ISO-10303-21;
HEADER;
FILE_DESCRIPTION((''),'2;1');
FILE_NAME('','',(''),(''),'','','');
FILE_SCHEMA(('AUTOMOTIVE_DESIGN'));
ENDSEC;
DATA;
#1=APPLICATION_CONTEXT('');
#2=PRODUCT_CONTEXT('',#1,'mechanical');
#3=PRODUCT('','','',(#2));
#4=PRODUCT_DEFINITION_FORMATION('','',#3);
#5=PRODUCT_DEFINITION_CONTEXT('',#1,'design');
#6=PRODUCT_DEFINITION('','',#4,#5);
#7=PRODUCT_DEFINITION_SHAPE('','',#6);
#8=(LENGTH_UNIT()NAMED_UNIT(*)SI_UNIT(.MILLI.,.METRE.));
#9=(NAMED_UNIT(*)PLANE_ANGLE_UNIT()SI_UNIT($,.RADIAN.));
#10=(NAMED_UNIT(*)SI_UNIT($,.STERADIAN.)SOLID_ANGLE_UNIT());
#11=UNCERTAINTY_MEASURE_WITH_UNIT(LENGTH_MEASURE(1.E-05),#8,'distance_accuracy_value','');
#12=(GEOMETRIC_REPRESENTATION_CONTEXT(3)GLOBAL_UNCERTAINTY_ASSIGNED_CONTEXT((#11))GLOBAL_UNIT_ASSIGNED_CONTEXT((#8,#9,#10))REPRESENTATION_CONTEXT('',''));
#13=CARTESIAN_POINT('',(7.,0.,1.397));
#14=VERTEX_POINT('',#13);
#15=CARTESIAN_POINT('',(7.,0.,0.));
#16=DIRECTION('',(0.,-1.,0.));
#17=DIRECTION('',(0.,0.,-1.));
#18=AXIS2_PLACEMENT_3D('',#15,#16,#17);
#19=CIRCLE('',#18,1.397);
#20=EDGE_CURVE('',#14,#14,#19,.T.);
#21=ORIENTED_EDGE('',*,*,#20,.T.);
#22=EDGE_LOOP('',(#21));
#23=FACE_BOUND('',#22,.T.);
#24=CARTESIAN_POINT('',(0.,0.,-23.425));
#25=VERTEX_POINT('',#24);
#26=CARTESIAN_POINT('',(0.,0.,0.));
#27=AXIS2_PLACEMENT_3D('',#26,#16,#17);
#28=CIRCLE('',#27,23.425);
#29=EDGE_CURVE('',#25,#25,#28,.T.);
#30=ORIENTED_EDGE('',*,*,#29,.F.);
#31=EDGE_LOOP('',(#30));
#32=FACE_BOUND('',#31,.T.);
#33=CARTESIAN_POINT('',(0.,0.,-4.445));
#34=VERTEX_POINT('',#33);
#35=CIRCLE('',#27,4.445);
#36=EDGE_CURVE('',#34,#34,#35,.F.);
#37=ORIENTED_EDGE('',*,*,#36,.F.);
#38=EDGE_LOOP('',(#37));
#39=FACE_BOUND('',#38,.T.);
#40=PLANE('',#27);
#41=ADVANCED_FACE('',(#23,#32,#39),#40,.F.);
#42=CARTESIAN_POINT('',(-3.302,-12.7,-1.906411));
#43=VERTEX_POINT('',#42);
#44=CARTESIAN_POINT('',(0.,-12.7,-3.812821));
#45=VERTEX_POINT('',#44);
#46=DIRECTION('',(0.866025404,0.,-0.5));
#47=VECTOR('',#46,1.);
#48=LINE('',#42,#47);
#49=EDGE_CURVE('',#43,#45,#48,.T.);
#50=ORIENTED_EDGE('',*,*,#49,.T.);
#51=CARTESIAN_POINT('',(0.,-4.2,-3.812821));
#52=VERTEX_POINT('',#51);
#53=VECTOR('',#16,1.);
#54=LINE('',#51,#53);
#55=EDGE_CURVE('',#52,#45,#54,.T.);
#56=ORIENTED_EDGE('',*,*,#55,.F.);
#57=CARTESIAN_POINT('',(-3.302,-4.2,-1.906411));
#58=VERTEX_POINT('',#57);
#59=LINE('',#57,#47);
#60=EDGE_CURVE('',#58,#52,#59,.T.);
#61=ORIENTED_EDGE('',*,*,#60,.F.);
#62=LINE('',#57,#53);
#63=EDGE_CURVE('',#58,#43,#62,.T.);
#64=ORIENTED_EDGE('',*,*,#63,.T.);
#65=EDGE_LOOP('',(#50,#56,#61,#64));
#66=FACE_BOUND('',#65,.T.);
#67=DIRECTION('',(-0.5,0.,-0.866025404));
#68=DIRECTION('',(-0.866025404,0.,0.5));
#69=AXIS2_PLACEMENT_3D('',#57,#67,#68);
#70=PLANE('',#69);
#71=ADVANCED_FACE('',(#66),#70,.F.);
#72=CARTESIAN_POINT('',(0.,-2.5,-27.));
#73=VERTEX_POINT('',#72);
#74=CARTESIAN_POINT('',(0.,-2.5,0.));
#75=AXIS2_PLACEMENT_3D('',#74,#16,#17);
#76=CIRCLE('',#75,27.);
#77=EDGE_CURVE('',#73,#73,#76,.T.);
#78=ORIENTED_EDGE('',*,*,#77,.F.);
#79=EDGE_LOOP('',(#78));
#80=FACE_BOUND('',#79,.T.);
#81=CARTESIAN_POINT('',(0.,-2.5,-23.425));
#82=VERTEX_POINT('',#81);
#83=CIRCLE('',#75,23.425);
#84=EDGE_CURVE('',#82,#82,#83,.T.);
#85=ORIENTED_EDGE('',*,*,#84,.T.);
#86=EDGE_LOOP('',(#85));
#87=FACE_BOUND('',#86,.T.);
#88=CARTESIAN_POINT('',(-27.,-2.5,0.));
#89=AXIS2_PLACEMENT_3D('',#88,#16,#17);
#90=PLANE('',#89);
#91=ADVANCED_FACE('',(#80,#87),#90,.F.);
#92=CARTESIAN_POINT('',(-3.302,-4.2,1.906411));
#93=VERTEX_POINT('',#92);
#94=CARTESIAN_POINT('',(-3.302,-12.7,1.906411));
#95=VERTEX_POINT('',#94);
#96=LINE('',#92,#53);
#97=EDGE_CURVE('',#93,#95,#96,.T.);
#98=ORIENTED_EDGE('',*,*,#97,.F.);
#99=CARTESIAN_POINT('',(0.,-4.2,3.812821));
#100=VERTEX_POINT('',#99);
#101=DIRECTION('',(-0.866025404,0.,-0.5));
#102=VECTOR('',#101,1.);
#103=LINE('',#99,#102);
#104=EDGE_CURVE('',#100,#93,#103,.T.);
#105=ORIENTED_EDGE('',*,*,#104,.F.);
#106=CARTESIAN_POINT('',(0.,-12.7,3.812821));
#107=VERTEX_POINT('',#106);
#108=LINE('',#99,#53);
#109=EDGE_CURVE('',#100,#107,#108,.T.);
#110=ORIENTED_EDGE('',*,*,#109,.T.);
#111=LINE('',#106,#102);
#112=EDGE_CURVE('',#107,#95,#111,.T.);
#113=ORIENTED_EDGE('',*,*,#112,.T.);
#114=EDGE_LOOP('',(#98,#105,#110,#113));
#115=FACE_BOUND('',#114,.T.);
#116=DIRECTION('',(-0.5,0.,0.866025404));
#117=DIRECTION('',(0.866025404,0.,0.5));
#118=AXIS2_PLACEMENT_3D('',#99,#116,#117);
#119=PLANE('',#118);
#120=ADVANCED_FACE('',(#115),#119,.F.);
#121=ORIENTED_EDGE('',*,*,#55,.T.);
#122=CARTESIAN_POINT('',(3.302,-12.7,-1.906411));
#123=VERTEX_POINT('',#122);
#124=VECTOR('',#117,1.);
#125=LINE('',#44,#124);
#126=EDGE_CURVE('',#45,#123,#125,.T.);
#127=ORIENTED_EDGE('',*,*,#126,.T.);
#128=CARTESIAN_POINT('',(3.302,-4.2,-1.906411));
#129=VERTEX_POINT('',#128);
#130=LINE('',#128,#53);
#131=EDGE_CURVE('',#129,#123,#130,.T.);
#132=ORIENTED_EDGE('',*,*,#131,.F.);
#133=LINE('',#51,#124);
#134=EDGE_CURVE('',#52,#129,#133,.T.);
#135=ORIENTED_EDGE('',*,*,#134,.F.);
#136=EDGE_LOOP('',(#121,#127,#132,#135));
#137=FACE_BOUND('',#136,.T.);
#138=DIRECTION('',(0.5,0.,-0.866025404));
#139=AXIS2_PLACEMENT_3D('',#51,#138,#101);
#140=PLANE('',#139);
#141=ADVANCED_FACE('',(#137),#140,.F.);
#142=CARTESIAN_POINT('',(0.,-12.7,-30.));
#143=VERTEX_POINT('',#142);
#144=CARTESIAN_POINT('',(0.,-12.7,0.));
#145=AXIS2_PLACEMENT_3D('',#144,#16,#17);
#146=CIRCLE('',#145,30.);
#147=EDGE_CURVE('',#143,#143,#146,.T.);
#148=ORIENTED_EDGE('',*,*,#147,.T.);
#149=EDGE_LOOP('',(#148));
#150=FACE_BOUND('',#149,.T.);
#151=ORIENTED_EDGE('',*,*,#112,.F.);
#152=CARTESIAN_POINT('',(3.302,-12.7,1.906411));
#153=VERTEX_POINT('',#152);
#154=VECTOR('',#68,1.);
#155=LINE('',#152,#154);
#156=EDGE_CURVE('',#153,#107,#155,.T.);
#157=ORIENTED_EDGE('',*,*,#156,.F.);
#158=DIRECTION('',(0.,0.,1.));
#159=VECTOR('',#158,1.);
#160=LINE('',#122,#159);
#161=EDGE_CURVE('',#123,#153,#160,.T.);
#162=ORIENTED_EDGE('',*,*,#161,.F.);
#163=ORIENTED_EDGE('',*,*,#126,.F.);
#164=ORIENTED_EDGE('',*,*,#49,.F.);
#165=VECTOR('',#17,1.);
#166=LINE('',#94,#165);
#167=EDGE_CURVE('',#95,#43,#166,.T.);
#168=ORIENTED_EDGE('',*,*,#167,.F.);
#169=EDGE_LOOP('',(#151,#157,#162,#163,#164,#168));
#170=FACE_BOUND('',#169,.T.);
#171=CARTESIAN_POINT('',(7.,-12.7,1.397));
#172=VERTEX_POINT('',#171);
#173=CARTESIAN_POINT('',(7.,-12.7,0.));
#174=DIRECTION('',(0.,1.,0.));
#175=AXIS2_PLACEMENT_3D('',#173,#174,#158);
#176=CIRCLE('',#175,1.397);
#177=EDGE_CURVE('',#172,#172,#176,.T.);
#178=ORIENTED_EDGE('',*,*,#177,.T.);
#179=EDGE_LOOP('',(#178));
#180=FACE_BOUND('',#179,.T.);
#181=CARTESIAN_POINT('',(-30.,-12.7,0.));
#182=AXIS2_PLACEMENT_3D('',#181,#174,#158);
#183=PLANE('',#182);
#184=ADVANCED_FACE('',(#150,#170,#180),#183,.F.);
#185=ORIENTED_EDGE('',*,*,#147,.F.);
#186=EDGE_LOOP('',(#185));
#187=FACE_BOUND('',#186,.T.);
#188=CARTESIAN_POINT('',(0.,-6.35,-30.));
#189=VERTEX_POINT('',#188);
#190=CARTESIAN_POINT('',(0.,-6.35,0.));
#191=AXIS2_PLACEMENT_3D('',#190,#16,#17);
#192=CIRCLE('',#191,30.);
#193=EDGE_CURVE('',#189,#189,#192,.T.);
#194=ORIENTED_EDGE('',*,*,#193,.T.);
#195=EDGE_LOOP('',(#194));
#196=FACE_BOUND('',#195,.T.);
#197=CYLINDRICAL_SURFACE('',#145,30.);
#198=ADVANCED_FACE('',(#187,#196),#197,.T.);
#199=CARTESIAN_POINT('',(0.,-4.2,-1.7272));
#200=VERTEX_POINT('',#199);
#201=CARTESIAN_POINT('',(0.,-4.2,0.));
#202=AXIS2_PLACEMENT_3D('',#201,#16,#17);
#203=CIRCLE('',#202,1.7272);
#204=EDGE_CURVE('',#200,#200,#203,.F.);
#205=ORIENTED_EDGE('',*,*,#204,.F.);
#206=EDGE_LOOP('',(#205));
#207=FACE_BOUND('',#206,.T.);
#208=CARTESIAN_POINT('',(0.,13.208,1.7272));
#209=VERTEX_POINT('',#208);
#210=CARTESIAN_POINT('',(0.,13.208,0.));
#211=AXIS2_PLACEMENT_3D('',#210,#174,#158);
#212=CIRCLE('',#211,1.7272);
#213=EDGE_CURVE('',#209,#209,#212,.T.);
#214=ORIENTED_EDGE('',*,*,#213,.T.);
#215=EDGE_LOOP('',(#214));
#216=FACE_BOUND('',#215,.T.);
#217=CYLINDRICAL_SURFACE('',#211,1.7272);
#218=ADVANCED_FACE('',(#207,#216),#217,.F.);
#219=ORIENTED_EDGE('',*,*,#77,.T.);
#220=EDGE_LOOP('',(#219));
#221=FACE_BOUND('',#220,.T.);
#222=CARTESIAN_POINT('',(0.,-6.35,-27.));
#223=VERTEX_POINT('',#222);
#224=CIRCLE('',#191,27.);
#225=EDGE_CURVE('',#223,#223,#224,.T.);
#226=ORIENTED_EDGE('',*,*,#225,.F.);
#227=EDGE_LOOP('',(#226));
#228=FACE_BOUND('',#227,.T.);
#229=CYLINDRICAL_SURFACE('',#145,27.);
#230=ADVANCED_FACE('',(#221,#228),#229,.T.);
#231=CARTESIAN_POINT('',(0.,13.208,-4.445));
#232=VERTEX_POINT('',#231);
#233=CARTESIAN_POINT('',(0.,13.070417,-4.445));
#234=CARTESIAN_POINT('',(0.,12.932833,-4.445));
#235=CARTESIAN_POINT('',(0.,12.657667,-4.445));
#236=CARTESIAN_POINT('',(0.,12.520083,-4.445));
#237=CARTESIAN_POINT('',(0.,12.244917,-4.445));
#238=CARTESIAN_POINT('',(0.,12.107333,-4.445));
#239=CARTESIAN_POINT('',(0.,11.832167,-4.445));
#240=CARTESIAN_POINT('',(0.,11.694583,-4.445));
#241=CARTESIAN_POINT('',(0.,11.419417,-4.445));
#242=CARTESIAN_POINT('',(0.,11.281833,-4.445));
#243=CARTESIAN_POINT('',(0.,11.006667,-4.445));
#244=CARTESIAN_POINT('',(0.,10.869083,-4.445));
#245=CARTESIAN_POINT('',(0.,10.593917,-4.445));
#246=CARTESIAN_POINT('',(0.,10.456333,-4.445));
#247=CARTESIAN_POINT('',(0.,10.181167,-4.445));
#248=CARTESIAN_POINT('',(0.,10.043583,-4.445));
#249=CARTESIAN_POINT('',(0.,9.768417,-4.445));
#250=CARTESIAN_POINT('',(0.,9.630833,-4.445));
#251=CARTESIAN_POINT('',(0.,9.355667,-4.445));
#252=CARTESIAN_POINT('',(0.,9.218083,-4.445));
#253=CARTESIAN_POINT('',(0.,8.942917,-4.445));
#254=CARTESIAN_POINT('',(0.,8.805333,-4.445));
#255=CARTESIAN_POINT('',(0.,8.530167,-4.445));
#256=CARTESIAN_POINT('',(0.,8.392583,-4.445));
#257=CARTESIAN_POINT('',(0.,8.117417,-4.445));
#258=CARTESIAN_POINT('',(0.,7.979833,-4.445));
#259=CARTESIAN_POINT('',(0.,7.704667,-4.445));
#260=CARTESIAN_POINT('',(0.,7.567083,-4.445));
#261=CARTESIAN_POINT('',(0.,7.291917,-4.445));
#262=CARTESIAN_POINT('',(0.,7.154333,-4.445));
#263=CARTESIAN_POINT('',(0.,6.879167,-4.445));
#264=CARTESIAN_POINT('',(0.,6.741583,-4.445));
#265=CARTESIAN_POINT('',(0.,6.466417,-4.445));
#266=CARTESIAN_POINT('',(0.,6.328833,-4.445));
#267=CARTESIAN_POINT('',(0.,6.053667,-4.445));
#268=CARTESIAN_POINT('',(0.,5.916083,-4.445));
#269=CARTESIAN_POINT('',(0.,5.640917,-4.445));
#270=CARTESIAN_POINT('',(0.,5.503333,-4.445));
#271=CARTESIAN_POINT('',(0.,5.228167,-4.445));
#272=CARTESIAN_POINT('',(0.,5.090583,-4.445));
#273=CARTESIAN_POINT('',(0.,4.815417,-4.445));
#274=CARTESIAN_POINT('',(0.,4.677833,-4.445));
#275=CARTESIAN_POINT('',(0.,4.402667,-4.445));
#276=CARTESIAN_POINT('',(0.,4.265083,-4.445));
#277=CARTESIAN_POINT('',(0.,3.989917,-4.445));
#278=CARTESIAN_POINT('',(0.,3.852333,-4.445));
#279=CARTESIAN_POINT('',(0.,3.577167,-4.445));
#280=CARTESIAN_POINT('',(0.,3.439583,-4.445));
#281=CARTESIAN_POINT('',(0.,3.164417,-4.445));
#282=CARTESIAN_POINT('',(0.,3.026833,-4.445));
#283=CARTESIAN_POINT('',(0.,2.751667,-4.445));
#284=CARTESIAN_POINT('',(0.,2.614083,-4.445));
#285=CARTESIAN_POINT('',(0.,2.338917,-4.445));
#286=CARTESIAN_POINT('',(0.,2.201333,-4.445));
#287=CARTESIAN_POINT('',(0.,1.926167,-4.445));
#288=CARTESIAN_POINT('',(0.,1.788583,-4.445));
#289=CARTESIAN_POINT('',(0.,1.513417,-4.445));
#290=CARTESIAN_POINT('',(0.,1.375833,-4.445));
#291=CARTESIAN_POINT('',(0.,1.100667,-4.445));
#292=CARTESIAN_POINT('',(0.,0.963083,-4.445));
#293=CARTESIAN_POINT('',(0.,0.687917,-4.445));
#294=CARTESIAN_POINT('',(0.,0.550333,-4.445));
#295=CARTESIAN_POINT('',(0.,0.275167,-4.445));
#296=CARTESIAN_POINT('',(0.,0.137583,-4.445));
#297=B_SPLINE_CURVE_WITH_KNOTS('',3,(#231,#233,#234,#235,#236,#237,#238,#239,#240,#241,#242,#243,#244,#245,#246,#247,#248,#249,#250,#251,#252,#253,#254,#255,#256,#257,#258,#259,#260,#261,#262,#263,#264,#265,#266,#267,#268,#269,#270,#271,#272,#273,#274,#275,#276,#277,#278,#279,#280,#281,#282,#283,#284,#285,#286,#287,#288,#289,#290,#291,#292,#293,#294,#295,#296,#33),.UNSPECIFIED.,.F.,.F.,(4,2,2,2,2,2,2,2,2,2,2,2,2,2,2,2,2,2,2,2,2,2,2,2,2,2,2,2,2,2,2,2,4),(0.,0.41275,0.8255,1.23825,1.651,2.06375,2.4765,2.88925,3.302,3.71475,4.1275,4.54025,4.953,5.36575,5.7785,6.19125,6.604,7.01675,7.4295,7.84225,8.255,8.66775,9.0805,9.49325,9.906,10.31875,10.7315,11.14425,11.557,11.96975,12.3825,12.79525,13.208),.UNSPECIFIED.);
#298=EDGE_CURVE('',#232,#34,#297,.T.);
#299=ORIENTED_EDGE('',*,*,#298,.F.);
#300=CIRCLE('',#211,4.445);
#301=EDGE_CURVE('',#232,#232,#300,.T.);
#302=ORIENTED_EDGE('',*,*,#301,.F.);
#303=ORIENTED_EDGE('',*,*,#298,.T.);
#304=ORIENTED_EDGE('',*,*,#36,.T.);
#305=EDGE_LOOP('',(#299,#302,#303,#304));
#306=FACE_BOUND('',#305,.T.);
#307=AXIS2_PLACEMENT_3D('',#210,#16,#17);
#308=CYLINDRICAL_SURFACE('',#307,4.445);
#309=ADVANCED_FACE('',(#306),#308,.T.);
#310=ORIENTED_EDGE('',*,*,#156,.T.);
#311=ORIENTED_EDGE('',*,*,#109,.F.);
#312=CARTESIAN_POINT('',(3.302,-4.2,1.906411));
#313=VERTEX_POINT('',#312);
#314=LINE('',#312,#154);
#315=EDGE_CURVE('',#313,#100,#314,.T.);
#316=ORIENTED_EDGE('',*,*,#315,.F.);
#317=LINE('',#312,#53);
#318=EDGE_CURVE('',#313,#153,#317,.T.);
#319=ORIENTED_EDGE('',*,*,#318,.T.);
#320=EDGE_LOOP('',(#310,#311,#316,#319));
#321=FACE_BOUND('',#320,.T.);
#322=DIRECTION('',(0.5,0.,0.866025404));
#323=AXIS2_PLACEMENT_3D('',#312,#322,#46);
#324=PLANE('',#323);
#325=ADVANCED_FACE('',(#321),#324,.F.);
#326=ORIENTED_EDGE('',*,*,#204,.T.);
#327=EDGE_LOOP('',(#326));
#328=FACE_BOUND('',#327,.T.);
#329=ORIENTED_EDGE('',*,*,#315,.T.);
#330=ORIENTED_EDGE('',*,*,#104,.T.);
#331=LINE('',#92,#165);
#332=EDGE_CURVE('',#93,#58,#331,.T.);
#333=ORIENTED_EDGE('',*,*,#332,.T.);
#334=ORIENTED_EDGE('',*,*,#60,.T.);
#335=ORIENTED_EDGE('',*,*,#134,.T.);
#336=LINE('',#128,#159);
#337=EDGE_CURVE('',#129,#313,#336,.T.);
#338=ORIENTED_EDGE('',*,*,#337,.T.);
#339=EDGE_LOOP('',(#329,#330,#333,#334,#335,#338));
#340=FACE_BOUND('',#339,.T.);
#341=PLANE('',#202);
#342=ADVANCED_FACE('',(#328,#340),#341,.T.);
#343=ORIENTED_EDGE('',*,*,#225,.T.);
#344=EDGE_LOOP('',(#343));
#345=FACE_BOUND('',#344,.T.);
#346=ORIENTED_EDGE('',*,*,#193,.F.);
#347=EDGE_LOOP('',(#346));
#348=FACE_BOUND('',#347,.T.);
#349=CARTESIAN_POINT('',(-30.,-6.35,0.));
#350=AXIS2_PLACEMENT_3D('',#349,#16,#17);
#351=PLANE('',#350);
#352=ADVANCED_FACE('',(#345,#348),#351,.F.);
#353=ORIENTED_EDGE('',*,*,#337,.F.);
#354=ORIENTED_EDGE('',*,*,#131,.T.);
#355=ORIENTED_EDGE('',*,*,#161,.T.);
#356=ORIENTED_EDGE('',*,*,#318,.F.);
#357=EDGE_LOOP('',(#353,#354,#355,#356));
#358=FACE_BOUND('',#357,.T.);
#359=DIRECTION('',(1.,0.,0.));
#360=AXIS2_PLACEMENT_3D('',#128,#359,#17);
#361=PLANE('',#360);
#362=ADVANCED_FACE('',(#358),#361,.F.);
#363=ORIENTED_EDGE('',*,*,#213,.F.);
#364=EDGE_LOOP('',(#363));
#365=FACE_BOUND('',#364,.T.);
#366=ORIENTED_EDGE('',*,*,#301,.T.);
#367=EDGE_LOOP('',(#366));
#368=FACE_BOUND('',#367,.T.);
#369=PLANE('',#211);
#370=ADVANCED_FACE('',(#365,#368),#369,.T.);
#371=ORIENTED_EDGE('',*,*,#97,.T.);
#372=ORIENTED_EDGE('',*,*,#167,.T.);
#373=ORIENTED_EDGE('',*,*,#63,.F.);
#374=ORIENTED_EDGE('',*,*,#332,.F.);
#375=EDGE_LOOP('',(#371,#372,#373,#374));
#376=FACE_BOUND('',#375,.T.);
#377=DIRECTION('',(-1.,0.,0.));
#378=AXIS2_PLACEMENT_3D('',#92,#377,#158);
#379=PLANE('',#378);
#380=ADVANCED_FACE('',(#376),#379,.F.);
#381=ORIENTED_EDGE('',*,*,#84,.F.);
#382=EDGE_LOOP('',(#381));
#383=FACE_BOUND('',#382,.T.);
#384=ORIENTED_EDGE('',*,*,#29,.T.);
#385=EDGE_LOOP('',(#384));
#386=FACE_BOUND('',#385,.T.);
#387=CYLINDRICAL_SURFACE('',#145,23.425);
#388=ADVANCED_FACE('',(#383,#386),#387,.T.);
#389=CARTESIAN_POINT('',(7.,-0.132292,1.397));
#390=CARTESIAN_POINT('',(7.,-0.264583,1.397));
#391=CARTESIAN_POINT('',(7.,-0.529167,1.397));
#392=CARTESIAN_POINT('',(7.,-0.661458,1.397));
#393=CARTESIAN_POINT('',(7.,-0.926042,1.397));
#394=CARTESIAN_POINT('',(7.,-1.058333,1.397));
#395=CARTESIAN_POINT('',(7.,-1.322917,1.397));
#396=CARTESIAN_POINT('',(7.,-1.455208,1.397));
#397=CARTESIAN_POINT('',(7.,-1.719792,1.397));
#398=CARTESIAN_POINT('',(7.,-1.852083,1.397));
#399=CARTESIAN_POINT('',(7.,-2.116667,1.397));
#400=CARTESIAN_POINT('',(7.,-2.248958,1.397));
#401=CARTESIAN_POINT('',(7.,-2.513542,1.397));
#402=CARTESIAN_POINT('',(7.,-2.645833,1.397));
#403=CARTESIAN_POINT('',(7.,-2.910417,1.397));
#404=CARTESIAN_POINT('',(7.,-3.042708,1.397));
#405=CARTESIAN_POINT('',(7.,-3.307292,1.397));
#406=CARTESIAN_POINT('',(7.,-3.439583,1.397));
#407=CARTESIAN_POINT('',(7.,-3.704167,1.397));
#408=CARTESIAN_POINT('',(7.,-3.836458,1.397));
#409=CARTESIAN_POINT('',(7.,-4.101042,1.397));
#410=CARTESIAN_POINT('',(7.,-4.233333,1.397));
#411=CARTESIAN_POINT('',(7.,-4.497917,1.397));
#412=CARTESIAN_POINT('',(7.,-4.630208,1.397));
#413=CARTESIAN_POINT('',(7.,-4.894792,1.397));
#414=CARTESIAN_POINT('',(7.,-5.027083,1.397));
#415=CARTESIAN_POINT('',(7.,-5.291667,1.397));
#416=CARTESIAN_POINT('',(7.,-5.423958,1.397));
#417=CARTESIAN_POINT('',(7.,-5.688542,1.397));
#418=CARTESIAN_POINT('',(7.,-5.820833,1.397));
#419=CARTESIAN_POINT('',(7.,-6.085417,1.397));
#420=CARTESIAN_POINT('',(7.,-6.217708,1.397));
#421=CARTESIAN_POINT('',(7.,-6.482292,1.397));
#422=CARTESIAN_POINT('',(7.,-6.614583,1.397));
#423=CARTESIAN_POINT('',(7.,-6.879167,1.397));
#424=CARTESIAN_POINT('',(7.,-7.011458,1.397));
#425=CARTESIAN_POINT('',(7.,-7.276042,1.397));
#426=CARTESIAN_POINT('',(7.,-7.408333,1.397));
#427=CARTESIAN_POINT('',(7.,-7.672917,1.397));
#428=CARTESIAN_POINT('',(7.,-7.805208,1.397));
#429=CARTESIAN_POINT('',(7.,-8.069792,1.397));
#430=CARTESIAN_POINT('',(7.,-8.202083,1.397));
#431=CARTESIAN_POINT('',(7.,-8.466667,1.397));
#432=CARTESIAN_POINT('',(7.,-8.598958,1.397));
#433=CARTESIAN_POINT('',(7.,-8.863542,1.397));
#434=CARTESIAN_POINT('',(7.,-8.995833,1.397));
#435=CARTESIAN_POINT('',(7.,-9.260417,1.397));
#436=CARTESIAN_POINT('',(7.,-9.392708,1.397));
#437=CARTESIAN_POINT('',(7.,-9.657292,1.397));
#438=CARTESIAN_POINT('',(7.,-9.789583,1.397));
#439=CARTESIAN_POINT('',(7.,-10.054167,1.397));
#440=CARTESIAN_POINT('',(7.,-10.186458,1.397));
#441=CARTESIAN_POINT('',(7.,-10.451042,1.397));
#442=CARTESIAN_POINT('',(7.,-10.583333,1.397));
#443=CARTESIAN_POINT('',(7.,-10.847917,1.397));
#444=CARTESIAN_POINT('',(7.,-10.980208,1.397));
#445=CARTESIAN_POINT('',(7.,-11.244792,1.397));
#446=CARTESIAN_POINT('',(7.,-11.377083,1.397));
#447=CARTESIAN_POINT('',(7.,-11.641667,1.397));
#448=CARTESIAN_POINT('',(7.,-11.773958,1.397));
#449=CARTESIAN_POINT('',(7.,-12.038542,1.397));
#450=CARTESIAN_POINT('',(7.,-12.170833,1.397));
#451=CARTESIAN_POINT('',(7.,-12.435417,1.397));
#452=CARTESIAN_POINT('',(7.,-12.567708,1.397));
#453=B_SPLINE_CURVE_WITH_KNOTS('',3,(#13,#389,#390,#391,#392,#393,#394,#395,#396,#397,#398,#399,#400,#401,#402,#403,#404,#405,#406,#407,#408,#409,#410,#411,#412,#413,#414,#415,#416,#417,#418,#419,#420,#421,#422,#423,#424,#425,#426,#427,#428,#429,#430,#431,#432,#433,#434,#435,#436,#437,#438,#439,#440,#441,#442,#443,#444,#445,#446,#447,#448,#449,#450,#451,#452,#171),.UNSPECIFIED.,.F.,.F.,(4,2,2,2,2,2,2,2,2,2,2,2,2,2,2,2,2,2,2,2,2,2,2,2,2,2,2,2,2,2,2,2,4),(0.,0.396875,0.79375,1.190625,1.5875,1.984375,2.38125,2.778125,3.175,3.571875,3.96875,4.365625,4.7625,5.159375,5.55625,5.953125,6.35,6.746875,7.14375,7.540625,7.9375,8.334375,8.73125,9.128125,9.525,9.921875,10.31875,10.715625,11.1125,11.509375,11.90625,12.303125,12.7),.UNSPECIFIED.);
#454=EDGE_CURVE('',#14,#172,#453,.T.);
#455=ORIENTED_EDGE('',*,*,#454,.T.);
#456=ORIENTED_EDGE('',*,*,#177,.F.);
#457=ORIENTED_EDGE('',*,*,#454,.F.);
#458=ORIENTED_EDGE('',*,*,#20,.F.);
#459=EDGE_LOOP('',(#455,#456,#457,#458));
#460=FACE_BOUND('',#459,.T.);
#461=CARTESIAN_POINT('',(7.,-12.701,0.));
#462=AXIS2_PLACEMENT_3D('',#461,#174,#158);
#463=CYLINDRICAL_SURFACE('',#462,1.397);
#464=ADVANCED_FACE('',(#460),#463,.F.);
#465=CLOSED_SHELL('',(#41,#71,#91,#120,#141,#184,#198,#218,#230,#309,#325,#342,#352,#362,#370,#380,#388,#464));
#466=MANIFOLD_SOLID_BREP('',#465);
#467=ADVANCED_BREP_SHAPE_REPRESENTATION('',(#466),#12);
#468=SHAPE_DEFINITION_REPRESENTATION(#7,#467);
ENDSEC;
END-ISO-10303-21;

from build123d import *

# Parameters (mm, degrees)
CUT_EXTRUDE2_REACH    = 46.286
SKETCH3_R             = 1.397
SKETCH12_R            = 4.445
BOSS_EXTRUDE1_DEPTH   = 13.208
F_4_CLEARANCE_HOLE1_D = 3.4544
CUT_EXTRUDE3_DEPTH    = 8.5


with BuildPart() as part:
    # Sketch1 → Revolve1 (revolve)
    with BuildSketch(Plane.XY, mode=Mode.PRIVATE) as revolve1_sk:
        Polygon((0, 0), (-23.425, 0), (-23.425, -2.5), (-27, -2.5), (-27, -6.35), (-30, -6.35), (-30, -12.7), (0, -12.7), align=None)
    revolve(revolve1_sk.sketch.rotate(Axis((0, -12.7, 0), (0, 1, 0)), 270), axis=Axis((0, -12.7, 0), (0, 1, 0)))

    # Sketch3 → Cut-Extrude2 (cut, up to next)
    with BuildSketch(Plane.XZ, mode=Mode.PRIVATE) as cut_extrude2_sk1:
        with Locations(Location((7, 0, 0), (0, 0, 90))):
            Circle(SKETCH3_R)
    cut_extrude2_tool1 = extrude(cut_extrude2_sk1.sketch, amount=CUT_EXTRUDE2_REACH, mode=Mode.PRIVATE) & part.part
    add(cut_extrude2_tool1.solids().sort_by_distance((7, 0, 0))[0], mode=Mode.SUBTRACT)

    # Sketch12 → Boss-Extrude1 (add)
    with BuildSketch(Plane(origin=(0, 0, 0), x_dir=(1, 0, 0), z_dir=(0, 1, 0))):
        with Locations(Location((0, 0, 0), (0, 0, 90))):
            Circle(SKETCH12_R)
    extrude(amount=BOSS_EXTRUDE1_DEPTH)

    # #4 Clearance Hole1 (through all)
    with Locations(Plane(origin=(0, 13.208, 0), x_dir=(1, 0, 0), z_dir=(0, 1, 0))):
        with Locations((0, 0)):
            Hole(F_4_CLEARANCE_HOLE1_D / 2)

    # Sketch15 → Cut-Extrude3 (cut)
    with BuildSketch(Plane(origin=(0, -12.7, 0), x_dir=(-1, 0, 0), z_dir=(0, -1, 0))):
        Polygon((0, -3.812821178), (3.302, -1.906410589), (3.302, 1.906410589), (0, 3.812821178), (-3.302, 1.906410589), (-3.302, -1.906410589), align=None)
    extrude(amount=-CUT_EXTRUDE3_DEPTH, mode=Mode.SUBTRACT)


solid = part.part
